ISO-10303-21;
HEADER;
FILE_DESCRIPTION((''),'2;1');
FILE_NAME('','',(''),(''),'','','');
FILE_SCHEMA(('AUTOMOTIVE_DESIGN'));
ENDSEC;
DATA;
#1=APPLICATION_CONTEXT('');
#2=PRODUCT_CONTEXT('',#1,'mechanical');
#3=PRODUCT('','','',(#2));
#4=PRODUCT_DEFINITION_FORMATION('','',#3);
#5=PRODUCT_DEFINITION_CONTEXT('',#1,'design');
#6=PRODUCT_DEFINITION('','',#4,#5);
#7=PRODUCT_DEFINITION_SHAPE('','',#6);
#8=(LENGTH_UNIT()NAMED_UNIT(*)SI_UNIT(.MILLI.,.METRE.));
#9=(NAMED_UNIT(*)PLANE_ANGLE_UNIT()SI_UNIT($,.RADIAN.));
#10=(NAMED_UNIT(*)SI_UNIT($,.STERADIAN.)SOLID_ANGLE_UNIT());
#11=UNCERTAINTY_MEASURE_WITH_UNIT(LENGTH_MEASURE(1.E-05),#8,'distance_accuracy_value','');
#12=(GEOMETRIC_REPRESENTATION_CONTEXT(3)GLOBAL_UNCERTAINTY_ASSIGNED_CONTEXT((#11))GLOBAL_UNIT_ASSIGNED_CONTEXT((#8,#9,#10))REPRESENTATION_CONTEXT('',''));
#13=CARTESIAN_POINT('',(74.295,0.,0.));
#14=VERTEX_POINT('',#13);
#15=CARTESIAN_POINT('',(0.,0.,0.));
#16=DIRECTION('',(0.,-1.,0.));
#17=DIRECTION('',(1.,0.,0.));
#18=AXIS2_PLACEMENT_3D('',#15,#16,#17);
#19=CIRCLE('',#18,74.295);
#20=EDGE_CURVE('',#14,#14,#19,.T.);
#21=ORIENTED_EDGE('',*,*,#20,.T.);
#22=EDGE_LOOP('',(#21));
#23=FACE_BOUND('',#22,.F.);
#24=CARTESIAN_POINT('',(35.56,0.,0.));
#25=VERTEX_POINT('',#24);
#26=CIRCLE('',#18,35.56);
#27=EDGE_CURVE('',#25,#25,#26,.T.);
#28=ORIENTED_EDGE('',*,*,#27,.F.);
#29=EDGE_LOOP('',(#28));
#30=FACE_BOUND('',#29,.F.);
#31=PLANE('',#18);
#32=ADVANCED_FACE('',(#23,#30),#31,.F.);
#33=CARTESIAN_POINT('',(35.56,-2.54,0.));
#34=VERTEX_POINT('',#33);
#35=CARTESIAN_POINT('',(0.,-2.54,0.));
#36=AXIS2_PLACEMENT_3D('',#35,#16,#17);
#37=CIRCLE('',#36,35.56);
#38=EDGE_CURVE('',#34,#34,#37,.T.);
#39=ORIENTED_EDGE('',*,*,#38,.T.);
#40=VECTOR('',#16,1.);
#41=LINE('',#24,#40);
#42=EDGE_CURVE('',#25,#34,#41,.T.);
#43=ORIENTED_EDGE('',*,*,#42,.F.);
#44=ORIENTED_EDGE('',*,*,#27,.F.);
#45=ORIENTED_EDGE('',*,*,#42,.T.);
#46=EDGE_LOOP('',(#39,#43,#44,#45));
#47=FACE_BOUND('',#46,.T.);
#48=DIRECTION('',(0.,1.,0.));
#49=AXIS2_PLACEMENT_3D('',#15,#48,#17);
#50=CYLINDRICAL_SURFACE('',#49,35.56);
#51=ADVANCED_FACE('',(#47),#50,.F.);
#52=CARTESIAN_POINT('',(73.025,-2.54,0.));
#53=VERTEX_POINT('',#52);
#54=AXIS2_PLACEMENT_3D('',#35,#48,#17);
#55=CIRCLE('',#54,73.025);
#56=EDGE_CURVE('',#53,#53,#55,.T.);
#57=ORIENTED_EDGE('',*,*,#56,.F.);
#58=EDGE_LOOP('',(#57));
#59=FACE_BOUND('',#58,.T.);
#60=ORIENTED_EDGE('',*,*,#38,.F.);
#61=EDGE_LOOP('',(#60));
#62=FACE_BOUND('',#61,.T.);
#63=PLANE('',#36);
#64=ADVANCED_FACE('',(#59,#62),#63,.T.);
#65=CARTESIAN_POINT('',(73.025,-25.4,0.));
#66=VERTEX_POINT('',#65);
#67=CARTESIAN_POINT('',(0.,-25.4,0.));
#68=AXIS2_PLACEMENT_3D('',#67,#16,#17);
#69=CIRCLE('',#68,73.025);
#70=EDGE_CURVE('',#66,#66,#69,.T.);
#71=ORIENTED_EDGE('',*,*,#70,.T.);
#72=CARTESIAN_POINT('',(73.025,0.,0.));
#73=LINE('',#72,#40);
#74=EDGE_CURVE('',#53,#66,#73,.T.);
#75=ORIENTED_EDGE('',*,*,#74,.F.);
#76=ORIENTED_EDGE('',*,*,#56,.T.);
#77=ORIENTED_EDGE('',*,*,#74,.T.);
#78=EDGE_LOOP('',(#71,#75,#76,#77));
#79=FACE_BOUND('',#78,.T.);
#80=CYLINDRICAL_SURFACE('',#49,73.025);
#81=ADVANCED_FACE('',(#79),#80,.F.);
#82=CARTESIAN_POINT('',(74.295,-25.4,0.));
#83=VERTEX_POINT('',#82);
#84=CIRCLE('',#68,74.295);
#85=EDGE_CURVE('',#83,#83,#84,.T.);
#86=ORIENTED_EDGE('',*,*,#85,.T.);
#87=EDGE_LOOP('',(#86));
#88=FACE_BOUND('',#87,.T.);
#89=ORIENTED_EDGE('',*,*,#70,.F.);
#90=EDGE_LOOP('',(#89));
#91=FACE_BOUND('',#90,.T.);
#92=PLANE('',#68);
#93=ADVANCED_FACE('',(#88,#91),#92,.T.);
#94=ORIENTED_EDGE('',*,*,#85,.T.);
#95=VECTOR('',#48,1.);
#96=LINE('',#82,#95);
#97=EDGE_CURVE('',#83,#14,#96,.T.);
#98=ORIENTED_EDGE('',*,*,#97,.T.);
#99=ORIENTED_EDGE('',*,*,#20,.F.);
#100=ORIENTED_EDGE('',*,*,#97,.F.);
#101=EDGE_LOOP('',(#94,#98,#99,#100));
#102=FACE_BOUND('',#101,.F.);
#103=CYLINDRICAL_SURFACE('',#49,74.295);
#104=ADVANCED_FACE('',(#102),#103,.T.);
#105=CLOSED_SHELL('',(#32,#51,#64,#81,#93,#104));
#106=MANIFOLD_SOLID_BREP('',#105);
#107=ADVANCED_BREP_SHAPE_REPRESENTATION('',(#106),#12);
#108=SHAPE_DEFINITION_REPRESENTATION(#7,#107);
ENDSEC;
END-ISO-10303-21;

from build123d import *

# Parameters (mm, degrees)
F0_R     = 74.295
F0_R_2   = 73.025
F0_R_3   = 35.56
F1_DEPTH = 2.54
F2_DEPTH = 25.4


with BuildPart() as f1:
    # F0 (on Front) → F1 (new body)
    with BuildSketch(Plane.XZ):
        Circle(F0_R)
        Circle(F0_R_2, mode=Mode.SUBTRACT)
        Circle(F0_R_2)
        Circle(F0_R_3, mode=Mode.SUBTRACT)
    extrude(amount=F1_DEPTH)

    # F0 (on Front) → F2 (join)
    with BuildSketch(Plane.XZ):
        Circle(F0_R)
        Circle(F0_R_2, mode=Mode.SUBTRACT)
    extrude(amount=F2_DEPTH)


solid = f1.part
